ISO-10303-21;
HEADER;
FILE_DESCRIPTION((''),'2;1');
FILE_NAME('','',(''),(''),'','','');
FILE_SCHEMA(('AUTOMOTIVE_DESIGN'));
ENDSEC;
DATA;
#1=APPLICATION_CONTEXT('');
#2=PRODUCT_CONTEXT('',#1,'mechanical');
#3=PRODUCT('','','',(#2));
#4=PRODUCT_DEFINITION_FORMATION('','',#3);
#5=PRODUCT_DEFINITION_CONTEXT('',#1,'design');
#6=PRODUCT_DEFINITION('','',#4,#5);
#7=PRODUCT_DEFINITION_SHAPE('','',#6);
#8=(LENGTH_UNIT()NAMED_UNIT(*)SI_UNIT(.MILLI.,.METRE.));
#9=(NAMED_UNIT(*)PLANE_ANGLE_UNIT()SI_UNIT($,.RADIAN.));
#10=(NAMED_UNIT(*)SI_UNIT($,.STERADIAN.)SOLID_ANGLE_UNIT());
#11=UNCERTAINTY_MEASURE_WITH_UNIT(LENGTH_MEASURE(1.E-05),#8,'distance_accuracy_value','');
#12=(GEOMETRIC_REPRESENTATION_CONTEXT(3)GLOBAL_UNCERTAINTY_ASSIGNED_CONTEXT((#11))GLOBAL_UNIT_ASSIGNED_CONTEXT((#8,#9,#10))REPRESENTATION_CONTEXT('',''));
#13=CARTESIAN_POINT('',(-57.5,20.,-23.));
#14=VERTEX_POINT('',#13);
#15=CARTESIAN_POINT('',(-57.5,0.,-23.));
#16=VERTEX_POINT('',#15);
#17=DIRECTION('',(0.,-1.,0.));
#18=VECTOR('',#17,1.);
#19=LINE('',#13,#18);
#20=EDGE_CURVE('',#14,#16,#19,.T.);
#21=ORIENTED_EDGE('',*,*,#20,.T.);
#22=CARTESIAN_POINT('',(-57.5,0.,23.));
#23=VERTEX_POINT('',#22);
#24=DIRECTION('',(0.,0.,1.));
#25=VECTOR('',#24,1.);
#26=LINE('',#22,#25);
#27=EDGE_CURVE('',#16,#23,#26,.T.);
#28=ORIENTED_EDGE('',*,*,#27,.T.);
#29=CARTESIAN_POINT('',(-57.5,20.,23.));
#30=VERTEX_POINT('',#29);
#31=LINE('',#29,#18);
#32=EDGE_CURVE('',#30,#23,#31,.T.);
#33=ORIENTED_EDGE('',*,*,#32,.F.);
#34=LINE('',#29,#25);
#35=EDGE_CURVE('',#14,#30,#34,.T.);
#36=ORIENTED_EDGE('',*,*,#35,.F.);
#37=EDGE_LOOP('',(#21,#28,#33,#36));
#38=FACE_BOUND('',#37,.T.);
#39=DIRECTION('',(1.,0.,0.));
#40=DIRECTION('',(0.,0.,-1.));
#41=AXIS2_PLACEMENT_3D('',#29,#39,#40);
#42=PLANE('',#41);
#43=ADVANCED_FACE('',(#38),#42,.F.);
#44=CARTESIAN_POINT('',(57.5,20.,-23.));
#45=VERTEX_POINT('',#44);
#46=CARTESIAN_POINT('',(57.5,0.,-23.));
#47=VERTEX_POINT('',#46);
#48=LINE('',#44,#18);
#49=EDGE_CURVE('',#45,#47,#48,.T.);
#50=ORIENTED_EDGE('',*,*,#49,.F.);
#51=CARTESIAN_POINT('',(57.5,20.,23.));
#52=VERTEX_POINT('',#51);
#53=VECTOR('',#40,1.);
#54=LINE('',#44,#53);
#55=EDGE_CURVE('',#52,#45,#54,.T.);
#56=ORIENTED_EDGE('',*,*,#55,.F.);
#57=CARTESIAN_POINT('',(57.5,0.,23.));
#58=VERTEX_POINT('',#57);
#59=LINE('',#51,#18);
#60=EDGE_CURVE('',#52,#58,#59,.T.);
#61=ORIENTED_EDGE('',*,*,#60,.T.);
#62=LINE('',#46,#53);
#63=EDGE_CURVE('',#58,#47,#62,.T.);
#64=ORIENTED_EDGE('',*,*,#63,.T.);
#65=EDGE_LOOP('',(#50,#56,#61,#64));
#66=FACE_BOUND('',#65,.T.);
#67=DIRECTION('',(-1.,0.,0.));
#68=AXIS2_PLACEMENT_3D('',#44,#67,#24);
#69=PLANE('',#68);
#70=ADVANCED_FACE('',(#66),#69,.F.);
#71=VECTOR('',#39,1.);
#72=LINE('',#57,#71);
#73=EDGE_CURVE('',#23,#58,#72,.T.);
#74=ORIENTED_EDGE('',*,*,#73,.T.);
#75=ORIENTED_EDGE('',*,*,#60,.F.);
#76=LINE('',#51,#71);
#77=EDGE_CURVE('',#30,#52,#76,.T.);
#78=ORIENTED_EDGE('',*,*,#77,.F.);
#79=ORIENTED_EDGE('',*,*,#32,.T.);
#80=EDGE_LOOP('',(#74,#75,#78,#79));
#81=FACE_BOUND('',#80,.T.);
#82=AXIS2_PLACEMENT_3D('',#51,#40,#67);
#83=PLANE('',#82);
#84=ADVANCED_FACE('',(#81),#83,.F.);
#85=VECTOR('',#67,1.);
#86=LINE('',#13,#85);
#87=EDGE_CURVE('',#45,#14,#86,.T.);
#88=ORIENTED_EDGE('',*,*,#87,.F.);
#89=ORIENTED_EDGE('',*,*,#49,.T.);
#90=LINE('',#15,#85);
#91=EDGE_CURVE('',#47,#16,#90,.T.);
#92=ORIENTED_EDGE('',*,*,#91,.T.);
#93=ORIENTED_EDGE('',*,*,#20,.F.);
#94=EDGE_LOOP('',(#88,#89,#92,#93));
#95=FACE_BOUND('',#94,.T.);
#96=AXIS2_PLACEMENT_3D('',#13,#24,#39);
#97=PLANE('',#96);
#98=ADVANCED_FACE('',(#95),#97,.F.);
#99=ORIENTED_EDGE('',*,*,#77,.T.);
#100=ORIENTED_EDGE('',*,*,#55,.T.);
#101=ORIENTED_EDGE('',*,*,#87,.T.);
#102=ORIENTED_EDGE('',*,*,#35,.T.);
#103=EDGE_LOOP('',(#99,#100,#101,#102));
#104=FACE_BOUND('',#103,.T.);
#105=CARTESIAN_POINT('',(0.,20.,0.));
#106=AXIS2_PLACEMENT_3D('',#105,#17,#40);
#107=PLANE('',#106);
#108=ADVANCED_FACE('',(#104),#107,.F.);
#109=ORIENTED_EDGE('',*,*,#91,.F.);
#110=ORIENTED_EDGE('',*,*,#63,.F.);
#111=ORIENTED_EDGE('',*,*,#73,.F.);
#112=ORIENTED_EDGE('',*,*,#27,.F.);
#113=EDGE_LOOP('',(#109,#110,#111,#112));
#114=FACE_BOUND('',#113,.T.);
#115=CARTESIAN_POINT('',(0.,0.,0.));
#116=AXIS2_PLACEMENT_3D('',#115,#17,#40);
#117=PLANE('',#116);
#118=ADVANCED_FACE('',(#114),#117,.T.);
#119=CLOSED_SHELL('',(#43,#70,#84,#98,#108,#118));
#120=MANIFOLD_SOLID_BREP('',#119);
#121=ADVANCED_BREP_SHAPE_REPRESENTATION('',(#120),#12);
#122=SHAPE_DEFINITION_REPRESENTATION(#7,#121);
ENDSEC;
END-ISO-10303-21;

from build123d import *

# Parameters (mm, degrees)
SKETCH_1_W      = 115
SKETCH_1_H      = 46
EXTRUDE_1_DEPTH = 20


with BuildPart() as part:
    # 草图1 → 凸台-拉伸1 (new body)
    with BuildSketch(Plane(origin=(0, 0, 0), x_dir=(1, 0, 0), z_dir=(0, 1, 0))):
        Rectangle(SKETCH_1_W, SKETCH_1_H)
    extrude(amount=EXTRUDE_1_DEPTH)


solid = part.part
